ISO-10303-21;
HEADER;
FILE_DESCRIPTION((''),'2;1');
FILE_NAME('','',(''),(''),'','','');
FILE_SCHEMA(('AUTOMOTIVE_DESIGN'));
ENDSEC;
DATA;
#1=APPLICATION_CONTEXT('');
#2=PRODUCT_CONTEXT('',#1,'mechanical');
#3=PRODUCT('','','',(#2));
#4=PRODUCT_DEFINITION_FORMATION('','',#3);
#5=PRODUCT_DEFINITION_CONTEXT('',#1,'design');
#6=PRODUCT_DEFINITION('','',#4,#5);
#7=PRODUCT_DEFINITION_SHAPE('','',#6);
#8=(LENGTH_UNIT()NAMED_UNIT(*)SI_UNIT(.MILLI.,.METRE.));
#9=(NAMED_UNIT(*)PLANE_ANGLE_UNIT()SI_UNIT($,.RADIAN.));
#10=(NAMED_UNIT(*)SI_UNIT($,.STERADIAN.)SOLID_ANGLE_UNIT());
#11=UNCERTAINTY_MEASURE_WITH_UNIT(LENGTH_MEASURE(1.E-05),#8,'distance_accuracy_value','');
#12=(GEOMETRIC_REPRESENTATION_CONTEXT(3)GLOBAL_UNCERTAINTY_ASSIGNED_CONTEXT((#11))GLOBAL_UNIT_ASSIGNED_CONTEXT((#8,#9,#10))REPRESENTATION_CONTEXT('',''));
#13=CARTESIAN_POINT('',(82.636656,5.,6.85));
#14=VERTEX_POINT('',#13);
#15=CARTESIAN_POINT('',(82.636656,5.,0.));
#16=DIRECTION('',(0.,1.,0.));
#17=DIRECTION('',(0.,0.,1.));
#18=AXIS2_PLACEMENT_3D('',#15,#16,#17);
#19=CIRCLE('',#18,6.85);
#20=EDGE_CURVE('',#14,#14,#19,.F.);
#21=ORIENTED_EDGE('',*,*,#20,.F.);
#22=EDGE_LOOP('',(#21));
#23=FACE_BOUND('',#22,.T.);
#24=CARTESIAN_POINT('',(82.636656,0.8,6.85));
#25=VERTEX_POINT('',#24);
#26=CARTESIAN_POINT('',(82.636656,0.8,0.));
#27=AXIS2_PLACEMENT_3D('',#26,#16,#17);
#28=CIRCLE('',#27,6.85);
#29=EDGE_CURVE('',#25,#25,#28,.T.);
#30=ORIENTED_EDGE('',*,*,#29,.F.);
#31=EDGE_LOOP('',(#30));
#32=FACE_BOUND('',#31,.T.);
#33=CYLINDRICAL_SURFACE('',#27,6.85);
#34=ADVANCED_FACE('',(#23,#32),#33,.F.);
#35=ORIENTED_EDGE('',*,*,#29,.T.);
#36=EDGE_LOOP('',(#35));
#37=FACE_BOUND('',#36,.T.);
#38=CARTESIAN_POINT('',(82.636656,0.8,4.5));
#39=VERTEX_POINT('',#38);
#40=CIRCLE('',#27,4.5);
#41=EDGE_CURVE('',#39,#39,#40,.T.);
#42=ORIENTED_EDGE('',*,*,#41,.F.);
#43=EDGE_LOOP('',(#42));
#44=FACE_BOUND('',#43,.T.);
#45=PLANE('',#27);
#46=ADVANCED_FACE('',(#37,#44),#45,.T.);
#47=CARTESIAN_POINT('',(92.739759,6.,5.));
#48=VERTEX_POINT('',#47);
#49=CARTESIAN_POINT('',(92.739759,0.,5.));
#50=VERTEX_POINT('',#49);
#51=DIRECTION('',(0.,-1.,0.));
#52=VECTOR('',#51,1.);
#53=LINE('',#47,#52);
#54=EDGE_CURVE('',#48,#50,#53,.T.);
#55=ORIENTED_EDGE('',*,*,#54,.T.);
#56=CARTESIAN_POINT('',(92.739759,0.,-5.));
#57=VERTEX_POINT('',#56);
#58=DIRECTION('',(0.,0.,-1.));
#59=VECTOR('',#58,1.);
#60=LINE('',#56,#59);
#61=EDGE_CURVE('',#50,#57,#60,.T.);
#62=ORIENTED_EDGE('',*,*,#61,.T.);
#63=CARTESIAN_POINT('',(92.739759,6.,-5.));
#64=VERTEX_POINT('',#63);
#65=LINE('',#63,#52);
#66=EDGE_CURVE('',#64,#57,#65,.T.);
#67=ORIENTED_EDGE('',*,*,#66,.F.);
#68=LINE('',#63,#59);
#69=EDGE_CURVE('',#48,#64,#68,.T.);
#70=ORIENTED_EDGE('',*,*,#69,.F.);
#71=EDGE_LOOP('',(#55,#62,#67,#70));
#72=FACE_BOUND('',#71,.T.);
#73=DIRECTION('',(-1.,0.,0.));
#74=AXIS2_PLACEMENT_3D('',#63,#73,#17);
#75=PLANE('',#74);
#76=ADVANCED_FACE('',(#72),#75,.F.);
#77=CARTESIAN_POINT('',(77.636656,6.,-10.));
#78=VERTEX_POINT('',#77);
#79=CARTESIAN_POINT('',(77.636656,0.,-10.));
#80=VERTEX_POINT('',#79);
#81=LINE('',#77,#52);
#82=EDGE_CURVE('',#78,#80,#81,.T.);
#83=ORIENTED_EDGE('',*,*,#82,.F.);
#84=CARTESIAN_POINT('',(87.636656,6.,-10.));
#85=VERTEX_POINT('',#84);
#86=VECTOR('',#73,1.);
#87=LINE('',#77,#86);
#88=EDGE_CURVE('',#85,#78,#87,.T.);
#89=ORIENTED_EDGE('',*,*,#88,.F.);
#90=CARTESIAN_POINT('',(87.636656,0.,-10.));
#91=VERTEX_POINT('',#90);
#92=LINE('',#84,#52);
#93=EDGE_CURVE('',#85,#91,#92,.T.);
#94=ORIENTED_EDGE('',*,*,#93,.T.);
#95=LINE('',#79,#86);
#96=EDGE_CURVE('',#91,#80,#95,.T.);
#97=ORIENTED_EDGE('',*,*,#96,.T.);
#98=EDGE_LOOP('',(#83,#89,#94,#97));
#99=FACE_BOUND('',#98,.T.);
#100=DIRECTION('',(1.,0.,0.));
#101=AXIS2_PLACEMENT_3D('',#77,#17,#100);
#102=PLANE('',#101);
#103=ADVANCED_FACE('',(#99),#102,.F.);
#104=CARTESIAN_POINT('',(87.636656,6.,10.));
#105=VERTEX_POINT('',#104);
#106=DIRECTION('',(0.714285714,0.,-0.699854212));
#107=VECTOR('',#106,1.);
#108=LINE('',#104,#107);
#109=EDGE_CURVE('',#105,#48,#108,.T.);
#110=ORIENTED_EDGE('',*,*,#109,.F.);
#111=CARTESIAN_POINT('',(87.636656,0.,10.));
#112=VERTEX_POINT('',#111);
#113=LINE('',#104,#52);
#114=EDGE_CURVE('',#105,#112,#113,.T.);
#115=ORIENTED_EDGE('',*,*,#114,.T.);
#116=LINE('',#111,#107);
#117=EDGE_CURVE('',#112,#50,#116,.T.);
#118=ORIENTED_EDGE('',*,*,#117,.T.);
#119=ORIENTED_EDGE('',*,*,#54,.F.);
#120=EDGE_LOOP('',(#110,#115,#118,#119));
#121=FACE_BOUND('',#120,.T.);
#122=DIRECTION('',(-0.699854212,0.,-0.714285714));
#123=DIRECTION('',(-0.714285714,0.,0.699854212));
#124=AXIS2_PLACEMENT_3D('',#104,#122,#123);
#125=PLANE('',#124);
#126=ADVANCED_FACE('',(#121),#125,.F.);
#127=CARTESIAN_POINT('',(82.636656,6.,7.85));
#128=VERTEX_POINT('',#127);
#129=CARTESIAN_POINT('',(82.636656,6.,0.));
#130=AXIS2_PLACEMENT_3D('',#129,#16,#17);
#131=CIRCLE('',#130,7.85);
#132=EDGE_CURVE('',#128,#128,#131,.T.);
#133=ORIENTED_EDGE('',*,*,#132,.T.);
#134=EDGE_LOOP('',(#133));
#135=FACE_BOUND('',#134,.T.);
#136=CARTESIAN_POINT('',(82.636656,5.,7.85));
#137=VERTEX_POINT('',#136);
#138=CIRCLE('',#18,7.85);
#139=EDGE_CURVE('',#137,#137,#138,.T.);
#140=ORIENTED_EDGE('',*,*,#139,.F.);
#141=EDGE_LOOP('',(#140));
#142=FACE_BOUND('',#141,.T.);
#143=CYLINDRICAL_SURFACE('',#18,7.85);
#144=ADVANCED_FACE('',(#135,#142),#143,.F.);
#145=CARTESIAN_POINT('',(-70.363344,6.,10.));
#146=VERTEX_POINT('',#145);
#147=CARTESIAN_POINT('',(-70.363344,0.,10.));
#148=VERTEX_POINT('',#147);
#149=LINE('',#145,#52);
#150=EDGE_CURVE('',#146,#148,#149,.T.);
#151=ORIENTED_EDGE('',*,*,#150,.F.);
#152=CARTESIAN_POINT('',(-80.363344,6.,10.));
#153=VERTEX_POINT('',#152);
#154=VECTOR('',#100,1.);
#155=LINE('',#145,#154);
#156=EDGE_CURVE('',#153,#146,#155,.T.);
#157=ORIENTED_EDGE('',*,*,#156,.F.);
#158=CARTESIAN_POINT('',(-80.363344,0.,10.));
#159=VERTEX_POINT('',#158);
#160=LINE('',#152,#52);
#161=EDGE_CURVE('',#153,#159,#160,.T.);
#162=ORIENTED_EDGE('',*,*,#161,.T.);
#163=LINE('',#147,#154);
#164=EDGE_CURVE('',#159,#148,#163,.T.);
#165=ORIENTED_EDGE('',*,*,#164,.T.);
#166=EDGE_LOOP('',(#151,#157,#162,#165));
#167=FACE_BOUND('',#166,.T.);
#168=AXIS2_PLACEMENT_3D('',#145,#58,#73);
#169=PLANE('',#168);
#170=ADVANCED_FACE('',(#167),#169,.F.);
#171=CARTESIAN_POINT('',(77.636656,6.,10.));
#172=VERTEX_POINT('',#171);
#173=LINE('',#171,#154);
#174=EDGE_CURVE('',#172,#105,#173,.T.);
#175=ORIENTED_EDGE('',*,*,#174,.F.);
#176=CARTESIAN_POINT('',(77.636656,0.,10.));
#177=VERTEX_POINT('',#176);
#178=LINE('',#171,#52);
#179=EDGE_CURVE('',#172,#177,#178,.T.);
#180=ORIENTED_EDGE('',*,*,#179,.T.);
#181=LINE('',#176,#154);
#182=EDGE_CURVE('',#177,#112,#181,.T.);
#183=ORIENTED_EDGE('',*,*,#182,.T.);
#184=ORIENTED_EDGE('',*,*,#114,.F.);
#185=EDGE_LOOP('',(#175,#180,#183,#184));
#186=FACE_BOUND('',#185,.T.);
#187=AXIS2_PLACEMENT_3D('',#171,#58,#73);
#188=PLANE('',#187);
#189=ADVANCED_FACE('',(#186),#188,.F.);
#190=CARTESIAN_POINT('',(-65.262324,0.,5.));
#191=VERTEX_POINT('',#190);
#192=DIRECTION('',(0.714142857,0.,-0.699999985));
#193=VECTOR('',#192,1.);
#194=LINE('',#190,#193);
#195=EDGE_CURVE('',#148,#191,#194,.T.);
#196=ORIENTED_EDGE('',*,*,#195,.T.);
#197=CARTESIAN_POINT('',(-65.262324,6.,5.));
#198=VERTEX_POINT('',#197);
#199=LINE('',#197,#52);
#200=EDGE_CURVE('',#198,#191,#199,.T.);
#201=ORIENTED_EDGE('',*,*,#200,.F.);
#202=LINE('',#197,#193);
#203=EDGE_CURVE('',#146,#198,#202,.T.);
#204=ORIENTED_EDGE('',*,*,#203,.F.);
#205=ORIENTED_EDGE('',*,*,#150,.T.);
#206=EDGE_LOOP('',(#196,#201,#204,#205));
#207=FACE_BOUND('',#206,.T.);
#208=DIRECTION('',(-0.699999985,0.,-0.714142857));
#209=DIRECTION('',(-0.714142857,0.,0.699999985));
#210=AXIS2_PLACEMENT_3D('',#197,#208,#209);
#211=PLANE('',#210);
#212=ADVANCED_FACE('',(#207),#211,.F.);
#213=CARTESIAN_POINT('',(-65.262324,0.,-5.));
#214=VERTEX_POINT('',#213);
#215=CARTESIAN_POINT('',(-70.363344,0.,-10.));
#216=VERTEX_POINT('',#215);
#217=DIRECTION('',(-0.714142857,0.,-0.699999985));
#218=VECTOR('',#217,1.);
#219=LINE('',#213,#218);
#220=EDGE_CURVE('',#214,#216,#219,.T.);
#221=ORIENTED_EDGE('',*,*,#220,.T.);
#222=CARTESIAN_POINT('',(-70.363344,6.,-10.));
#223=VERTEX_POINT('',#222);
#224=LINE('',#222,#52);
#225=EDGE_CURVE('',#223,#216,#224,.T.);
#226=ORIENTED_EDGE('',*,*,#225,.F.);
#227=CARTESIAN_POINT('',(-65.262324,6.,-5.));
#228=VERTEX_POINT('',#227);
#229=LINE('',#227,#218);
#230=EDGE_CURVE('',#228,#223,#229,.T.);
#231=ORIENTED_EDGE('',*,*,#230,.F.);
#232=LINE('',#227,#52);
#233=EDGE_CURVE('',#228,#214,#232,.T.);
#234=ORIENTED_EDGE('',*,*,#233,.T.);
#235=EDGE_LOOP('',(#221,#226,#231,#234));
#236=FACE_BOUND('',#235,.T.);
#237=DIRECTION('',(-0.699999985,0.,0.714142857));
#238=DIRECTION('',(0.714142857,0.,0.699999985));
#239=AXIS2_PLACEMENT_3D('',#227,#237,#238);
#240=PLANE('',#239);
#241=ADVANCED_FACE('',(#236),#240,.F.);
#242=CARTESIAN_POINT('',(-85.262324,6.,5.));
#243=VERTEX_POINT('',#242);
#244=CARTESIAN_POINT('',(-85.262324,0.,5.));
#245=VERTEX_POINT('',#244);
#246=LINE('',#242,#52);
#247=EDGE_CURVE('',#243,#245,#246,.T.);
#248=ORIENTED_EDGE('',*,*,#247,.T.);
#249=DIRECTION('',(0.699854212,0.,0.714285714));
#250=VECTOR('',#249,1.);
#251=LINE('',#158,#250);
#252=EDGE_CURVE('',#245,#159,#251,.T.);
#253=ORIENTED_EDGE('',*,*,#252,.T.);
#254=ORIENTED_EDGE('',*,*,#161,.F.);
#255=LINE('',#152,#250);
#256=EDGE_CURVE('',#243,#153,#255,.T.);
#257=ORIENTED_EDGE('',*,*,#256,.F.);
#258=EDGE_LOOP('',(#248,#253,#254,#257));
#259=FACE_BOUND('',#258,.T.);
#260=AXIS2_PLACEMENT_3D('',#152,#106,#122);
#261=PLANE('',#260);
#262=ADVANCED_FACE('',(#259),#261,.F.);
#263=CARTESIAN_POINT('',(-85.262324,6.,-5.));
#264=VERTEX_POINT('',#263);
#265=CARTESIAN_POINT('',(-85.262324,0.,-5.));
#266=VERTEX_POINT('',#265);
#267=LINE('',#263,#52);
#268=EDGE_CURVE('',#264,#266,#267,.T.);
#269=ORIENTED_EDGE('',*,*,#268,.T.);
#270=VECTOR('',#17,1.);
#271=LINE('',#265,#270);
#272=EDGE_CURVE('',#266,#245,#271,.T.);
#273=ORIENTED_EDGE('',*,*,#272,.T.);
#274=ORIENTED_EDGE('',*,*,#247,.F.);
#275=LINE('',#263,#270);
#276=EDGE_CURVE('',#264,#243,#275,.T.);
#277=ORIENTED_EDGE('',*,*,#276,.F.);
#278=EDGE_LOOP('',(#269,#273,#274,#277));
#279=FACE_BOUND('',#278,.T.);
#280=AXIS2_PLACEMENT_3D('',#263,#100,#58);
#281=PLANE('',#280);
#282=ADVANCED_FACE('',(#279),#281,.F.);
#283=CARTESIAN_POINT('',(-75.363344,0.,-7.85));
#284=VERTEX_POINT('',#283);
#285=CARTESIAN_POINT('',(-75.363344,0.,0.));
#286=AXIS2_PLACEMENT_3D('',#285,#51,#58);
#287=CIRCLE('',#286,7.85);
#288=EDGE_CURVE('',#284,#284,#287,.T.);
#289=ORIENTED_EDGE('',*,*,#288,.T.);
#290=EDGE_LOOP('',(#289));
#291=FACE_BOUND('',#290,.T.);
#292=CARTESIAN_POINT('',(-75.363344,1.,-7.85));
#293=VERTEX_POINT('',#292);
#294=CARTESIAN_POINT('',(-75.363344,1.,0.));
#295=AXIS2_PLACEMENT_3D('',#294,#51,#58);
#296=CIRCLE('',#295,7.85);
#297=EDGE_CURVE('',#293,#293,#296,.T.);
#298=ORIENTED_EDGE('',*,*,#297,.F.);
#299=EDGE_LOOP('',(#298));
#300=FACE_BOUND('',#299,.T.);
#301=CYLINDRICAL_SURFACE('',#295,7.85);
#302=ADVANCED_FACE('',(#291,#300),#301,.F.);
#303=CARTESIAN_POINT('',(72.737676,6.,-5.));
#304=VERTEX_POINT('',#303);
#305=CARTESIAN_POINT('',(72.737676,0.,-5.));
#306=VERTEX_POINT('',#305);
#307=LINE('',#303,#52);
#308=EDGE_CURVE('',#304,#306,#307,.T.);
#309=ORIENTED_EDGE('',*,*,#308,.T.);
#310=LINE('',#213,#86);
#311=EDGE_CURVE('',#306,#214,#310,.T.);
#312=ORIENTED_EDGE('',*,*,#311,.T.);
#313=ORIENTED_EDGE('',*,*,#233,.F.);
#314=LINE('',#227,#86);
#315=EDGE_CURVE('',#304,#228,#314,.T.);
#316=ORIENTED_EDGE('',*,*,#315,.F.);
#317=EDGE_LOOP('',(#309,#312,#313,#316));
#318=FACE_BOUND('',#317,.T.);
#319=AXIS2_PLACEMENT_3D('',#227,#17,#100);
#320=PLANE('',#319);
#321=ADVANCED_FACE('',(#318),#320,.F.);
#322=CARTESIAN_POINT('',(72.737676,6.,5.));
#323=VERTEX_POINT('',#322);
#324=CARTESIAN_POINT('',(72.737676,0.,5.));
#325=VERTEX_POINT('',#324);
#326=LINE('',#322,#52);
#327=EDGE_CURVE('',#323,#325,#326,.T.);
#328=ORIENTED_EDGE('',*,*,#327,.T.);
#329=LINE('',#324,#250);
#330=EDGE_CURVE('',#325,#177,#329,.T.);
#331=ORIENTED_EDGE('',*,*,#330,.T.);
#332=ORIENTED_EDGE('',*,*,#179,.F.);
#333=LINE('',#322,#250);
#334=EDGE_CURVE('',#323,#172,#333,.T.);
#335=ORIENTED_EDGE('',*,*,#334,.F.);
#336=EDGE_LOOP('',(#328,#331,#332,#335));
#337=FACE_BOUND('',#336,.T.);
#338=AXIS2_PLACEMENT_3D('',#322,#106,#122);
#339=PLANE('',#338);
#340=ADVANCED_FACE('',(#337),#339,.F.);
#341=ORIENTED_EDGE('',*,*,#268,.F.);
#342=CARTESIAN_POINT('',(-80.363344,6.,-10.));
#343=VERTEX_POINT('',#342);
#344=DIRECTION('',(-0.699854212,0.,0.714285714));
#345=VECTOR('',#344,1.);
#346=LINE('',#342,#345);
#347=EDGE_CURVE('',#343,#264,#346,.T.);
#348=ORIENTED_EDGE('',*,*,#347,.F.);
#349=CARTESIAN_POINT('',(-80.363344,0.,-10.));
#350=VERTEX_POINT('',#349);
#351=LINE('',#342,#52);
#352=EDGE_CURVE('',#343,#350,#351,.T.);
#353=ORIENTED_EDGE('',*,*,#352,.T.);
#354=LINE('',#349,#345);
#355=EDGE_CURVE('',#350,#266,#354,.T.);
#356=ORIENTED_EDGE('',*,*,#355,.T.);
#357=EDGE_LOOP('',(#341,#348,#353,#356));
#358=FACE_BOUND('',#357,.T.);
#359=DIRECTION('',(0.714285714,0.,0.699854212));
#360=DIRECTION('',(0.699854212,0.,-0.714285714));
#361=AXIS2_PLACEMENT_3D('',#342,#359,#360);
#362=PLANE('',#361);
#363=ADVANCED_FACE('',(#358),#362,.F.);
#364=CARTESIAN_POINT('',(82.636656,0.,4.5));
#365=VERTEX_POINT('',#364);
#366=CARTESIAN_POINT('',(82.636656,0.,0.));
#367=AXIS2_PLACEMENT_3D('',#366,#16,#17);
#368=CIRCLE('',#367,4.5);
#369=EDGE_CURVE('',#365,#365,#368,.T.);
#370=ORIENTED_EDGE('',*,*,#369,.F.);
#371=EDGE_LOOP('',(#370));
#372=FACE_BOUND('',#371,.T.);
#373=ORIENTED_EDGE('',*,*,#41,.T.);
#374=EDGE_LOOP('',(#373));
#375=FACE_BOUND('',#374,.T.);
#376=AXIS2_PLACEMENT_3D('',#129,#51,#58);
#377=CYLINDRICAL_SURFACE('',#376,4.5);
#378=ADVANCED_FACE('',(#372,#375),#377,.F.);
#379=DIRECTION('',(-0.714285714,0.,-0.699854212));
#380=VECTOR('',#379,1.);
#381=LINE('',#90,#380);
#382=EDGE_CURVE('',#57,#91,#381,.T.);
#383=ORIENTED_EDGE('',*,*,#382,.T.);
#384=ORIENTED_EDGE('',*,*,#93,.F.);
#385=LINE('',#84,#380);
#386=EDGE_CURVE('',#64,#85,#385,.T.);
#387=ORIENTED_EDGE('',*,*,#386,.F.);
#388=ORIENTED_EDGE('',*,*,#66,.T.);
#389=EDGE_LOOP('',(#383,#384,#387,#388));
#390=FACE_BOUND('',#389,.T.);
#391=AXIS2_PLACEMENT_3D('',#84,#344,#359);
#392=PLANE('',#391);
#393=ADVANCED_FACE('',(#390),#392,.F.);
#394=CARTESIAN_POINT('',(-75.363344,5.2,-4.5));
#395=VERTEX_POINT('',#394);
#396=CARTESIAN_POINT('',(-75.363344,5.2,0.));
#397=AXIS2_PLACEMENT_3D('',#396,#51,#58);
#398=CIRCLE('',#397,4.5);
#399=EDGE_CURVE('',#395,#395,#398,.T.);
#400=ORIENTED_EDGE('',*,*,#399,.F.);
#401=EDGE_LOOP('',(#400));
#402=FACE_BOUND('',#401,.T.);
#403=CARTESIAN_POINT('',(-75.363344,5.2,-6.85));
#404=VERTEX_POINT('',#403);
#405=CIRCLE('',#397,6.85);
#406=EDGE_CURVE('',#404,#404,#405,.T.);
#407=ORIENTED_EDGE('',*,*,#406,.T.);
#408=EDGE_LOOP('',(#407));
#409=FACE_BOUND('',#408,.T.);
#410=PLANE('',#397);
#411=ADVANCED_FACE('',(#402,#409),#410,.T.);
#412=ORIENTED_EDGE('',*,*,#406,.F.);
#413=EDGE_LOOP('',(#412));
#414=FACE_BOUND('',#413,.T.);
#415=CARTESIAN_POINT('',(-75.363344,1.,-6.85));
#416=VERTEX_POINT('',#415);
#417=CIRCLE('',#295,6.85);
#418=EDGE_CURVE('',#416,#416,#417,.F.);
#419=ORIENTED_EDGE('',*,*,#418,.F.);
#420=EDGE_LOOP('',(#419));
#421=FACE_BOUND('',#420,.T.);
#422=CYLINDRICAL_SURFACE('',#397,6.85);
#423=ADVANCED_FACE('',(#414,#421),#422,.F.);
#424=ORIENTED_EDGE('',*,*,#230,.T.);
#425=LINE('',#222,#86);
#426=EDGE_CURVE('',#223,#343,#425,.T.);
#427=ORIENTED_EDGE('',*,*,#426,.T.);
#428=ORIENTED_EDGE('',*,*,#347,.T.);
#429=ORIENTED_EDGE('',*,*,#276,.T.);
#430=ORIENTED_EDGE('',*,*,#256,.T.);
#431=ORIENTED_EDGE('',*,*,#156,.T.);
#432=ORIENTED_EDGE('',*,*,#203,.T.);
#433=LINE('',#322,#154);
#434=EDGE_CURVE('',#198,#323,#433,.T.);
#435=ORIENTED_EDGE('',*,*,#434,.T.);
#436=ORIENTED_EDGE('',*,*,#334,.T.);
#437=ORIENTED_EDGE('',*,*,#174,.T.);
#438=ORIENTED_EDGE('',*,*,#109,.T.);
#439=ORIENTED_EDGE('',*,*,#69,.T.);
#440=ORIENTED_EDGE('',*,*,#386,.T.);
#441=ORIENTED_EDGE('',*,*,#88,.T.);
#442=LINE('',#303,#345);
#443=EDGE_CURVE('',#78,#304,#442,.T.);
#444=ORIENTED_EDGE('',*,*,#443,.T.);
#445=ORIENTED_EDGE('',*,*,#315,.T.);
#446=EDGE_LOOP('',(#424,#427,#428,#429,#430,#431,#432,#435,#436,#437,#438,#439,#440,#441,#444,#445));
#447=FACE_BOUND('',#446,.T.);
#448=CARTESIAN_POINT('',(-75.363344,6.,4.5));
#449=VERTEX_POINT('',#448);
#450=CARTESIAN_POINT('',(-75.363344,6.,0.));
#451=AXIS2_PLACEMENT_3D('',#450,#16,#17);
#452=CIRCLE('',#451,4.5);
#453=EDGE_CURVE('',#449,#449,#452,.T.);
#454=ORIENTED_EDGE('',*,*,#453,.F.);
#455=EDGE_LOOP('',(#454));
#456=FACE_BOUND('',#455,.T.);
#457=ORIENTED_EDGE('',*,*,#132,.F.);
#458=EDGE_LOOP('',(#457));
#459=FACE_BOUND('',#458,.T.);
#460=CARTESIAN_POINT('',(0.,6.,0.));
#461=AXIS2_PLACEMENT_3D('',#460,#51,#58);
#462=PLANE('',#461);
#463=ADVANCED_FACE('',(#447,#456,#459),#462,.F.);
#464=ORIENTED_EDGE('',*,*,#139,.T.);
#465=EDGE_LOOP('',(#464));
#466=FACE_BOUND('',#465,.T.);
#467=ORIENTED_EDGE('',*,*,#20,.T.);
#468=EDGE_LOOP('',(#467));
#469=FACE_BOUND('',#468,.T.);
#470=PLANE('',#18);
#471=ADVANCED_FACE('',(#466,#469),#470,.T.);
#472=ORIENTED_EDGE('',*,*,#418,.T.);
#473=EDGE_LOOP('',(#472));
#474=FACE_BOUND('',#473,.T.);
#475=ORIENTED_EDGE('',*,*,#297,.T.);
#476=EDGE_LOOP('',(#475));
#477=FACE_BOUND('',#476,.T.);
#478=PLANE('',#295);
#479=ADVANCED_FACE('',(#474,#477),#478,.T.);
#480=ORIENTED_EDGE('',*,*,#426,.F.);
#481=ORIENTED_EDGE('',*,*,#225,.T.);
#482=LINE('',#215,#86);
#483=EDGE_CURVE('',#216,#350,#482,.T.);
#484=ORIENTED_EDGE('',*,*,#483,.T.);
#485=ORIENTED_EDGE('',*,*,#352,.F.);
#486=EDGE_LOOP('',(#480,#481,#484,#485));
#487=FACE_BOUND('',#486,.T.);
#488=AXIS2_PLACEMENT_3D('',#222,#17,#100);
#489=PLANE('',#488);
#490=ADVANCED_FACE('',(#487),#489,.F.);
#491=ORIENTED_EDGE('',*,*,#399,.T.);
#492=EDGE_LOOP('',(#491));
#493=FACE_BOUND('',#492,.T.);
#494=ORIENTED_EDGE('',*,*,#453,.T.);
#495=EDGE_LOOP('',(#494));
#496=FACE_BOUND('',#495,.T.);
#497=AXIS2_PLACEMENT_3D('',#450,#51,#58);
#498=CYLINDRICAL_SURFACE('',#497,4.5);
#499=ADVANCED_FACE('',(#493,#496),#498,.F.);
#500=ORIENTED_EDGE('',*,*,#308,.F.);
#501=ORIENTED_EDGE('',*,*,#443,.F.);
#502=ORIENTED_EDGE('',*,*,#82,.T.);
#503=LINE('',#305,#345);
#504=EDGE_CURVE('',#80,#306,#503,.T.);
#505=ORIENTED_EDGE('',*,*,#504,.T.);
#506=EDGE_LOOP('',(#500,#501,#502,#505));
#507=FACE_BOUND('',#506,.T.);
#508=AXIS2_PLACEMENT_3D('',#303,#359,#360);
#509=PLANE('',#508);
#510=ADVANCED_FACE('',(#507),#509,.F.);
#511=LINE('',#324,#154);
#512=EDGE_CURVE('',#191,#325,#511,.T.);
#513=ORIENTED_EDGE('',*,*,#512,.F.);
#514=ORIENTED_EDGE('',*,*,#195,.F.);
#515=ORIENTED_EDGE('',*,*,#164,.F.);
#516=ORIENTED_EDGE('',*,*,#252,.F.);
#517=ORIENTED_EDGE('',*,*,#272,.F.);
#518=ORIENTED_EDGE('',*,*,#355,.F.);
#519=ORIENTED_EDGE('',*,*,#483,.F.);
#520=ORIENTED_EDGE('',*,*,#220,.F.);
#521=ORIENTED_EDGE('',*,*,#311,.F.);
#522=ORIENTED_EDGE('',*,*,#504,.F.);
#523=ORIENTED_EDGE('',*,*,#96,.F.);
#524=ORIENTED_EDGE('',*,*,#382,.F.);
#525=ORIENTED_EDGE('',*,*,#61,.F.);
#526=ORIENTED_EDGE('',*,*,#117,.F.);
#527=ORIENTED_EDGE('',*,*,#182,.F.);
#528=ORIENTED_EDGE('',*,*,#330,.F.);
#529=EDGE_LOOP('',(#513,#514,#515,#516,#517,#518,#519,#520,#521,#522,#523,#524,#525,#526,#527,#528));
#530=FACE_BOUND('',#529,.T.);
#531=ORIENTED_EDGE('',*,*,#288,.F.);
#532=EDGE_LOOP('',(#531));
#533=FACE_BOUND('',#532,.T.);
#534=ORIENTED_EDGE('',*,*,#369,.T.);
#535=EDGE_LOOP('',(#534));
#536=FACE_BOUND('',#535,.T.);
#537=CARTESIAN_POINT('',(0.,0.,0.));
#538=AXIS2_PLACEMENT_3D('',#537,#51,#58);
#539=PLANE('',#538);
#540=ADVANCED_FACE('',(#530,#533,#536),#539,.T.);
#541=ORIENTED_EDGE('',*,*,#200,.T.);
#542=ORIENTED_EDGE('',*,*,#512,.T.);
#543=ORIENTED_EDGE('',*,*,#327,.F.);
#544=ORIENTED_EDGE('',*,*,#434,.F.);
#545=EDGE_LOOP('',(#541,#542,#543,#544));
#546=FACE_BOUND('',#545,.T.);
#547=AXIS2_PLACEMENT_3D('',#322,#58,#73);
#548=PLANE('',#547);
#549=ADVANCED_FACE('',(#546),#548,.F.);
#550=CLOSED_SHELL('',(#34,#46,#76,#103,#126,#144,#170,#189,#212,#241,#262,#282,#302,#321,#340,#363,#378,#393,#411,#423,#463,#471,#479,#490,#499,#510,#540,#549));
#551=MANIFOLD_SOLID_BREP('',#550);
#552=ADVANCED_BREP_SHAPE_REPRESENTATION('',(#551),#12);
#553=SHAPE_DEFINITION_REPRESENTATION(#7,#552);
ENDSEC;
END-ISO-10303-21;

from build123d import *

# Parameters (mm, degrees)
SKETCH_1_R          = 4.5
EXTRUDE_1_DEPTH     = 6
SKETCH_2_R          = 6.85
CUT_EXTRUDE_1_DEPTH = 5.2
SKETCH_3_R          = 7.85
CUT_EXTRUDE_2_DEPTH = 1
SKETCH_5_R          = 6.85
CUT_EXTRUDE_3_DEPTH = 5.2
SKETCH_6_R          = 7.85
CUT_EXTRUDE_4_DEPTH = 1


with BuildPart() as part:
    # 草图1 → 凸台-拉伸1 (new body)
    with BuildSketch(Plane(origin=(0, 0, 0), x_dir=(1, 0, 0), z_dir=(0, 1, 0))):
        Polygon((-65.26232397, 5), (-70.363344484, 10), (-80.363344484, 10), (-85.26232397, 5), (-85.26232397, -5), (-80.363344484, -10), (-70.363344484, -10), (-65.26232397, -5), (72.73767603, -5), (77.636655516, -10), (87.636655516, -10), (92.739759147, -5), (92.739759147, 5), (87.636655516, 10), (77.636655516, 10), (72.73767603, 5), align=None)
        with Locations(Location((-75.363344484, 0, 0), (0, 0, 270))):
            Circle(SKETCH_1_R, mode=Mode.SUBTRACT)
        with Locations(Location((82.636655516, 0, 0), (0, 0, 270))):
            Circle(SKETCH_1_R, mode=Mode.SUBTRACT)
    extrude(amount=EXTRUDE_1_DEPTH)

    # 草图2 → 切除-拉伸1 (cut)
    with BuildSketch(Plane(origin=(0, 6, 0), x_dir=(1, 0, 0), z_dir=(0, 1, 0))):
        with Locations(Location((82.636655516, 0, 0), (0, 0, 270))):
            Circle(SKETCH_2_R)
    extrude(amount=-CUT_EXTRUDE_1_DEPTH, mode=Mode.SUBTRACT)

    # 草图3 → 切除-拉伸2 (cut)
    with BuildSketch(Plane(origin=(0, 6, 0), x_dir=(1, 0, 0), z_dir=(0, 1, 0))):
        with Locations(Location((82.636655516, 0, 0), (0, 0, 270))):
            Circle(SKETCH_3_R)
    extrude(amount=-CUT_EXTRUDE_2_DEPTH, mode=Mode.SUBTRACT)

    # 草图5 → 切除-拉伸3 (cut)
    with BuildSketch(Plane.XZ):
        with Locations(Location((-75.363344484, 0, 0), (0, 0, 270))):
            Circle(SKETCH_5_R)
    extrude(amount=-CUT_EXTRUDE_3_DEPTH, mode=Mode.SUBTRACT)

    # 草图6 → 切除-拉伸4 (cut)
    with BuildSketch(Plane.XZ):
        with Locations(Location((-75.363344484, 0, 0), (0, 0, 270))):
            Circle(SKETCH_6_R)
    extrude(amount=-CUT_EXTRUDE_4_DEPTH, mode=Mode.SUBTRACT)


solid = part.part
